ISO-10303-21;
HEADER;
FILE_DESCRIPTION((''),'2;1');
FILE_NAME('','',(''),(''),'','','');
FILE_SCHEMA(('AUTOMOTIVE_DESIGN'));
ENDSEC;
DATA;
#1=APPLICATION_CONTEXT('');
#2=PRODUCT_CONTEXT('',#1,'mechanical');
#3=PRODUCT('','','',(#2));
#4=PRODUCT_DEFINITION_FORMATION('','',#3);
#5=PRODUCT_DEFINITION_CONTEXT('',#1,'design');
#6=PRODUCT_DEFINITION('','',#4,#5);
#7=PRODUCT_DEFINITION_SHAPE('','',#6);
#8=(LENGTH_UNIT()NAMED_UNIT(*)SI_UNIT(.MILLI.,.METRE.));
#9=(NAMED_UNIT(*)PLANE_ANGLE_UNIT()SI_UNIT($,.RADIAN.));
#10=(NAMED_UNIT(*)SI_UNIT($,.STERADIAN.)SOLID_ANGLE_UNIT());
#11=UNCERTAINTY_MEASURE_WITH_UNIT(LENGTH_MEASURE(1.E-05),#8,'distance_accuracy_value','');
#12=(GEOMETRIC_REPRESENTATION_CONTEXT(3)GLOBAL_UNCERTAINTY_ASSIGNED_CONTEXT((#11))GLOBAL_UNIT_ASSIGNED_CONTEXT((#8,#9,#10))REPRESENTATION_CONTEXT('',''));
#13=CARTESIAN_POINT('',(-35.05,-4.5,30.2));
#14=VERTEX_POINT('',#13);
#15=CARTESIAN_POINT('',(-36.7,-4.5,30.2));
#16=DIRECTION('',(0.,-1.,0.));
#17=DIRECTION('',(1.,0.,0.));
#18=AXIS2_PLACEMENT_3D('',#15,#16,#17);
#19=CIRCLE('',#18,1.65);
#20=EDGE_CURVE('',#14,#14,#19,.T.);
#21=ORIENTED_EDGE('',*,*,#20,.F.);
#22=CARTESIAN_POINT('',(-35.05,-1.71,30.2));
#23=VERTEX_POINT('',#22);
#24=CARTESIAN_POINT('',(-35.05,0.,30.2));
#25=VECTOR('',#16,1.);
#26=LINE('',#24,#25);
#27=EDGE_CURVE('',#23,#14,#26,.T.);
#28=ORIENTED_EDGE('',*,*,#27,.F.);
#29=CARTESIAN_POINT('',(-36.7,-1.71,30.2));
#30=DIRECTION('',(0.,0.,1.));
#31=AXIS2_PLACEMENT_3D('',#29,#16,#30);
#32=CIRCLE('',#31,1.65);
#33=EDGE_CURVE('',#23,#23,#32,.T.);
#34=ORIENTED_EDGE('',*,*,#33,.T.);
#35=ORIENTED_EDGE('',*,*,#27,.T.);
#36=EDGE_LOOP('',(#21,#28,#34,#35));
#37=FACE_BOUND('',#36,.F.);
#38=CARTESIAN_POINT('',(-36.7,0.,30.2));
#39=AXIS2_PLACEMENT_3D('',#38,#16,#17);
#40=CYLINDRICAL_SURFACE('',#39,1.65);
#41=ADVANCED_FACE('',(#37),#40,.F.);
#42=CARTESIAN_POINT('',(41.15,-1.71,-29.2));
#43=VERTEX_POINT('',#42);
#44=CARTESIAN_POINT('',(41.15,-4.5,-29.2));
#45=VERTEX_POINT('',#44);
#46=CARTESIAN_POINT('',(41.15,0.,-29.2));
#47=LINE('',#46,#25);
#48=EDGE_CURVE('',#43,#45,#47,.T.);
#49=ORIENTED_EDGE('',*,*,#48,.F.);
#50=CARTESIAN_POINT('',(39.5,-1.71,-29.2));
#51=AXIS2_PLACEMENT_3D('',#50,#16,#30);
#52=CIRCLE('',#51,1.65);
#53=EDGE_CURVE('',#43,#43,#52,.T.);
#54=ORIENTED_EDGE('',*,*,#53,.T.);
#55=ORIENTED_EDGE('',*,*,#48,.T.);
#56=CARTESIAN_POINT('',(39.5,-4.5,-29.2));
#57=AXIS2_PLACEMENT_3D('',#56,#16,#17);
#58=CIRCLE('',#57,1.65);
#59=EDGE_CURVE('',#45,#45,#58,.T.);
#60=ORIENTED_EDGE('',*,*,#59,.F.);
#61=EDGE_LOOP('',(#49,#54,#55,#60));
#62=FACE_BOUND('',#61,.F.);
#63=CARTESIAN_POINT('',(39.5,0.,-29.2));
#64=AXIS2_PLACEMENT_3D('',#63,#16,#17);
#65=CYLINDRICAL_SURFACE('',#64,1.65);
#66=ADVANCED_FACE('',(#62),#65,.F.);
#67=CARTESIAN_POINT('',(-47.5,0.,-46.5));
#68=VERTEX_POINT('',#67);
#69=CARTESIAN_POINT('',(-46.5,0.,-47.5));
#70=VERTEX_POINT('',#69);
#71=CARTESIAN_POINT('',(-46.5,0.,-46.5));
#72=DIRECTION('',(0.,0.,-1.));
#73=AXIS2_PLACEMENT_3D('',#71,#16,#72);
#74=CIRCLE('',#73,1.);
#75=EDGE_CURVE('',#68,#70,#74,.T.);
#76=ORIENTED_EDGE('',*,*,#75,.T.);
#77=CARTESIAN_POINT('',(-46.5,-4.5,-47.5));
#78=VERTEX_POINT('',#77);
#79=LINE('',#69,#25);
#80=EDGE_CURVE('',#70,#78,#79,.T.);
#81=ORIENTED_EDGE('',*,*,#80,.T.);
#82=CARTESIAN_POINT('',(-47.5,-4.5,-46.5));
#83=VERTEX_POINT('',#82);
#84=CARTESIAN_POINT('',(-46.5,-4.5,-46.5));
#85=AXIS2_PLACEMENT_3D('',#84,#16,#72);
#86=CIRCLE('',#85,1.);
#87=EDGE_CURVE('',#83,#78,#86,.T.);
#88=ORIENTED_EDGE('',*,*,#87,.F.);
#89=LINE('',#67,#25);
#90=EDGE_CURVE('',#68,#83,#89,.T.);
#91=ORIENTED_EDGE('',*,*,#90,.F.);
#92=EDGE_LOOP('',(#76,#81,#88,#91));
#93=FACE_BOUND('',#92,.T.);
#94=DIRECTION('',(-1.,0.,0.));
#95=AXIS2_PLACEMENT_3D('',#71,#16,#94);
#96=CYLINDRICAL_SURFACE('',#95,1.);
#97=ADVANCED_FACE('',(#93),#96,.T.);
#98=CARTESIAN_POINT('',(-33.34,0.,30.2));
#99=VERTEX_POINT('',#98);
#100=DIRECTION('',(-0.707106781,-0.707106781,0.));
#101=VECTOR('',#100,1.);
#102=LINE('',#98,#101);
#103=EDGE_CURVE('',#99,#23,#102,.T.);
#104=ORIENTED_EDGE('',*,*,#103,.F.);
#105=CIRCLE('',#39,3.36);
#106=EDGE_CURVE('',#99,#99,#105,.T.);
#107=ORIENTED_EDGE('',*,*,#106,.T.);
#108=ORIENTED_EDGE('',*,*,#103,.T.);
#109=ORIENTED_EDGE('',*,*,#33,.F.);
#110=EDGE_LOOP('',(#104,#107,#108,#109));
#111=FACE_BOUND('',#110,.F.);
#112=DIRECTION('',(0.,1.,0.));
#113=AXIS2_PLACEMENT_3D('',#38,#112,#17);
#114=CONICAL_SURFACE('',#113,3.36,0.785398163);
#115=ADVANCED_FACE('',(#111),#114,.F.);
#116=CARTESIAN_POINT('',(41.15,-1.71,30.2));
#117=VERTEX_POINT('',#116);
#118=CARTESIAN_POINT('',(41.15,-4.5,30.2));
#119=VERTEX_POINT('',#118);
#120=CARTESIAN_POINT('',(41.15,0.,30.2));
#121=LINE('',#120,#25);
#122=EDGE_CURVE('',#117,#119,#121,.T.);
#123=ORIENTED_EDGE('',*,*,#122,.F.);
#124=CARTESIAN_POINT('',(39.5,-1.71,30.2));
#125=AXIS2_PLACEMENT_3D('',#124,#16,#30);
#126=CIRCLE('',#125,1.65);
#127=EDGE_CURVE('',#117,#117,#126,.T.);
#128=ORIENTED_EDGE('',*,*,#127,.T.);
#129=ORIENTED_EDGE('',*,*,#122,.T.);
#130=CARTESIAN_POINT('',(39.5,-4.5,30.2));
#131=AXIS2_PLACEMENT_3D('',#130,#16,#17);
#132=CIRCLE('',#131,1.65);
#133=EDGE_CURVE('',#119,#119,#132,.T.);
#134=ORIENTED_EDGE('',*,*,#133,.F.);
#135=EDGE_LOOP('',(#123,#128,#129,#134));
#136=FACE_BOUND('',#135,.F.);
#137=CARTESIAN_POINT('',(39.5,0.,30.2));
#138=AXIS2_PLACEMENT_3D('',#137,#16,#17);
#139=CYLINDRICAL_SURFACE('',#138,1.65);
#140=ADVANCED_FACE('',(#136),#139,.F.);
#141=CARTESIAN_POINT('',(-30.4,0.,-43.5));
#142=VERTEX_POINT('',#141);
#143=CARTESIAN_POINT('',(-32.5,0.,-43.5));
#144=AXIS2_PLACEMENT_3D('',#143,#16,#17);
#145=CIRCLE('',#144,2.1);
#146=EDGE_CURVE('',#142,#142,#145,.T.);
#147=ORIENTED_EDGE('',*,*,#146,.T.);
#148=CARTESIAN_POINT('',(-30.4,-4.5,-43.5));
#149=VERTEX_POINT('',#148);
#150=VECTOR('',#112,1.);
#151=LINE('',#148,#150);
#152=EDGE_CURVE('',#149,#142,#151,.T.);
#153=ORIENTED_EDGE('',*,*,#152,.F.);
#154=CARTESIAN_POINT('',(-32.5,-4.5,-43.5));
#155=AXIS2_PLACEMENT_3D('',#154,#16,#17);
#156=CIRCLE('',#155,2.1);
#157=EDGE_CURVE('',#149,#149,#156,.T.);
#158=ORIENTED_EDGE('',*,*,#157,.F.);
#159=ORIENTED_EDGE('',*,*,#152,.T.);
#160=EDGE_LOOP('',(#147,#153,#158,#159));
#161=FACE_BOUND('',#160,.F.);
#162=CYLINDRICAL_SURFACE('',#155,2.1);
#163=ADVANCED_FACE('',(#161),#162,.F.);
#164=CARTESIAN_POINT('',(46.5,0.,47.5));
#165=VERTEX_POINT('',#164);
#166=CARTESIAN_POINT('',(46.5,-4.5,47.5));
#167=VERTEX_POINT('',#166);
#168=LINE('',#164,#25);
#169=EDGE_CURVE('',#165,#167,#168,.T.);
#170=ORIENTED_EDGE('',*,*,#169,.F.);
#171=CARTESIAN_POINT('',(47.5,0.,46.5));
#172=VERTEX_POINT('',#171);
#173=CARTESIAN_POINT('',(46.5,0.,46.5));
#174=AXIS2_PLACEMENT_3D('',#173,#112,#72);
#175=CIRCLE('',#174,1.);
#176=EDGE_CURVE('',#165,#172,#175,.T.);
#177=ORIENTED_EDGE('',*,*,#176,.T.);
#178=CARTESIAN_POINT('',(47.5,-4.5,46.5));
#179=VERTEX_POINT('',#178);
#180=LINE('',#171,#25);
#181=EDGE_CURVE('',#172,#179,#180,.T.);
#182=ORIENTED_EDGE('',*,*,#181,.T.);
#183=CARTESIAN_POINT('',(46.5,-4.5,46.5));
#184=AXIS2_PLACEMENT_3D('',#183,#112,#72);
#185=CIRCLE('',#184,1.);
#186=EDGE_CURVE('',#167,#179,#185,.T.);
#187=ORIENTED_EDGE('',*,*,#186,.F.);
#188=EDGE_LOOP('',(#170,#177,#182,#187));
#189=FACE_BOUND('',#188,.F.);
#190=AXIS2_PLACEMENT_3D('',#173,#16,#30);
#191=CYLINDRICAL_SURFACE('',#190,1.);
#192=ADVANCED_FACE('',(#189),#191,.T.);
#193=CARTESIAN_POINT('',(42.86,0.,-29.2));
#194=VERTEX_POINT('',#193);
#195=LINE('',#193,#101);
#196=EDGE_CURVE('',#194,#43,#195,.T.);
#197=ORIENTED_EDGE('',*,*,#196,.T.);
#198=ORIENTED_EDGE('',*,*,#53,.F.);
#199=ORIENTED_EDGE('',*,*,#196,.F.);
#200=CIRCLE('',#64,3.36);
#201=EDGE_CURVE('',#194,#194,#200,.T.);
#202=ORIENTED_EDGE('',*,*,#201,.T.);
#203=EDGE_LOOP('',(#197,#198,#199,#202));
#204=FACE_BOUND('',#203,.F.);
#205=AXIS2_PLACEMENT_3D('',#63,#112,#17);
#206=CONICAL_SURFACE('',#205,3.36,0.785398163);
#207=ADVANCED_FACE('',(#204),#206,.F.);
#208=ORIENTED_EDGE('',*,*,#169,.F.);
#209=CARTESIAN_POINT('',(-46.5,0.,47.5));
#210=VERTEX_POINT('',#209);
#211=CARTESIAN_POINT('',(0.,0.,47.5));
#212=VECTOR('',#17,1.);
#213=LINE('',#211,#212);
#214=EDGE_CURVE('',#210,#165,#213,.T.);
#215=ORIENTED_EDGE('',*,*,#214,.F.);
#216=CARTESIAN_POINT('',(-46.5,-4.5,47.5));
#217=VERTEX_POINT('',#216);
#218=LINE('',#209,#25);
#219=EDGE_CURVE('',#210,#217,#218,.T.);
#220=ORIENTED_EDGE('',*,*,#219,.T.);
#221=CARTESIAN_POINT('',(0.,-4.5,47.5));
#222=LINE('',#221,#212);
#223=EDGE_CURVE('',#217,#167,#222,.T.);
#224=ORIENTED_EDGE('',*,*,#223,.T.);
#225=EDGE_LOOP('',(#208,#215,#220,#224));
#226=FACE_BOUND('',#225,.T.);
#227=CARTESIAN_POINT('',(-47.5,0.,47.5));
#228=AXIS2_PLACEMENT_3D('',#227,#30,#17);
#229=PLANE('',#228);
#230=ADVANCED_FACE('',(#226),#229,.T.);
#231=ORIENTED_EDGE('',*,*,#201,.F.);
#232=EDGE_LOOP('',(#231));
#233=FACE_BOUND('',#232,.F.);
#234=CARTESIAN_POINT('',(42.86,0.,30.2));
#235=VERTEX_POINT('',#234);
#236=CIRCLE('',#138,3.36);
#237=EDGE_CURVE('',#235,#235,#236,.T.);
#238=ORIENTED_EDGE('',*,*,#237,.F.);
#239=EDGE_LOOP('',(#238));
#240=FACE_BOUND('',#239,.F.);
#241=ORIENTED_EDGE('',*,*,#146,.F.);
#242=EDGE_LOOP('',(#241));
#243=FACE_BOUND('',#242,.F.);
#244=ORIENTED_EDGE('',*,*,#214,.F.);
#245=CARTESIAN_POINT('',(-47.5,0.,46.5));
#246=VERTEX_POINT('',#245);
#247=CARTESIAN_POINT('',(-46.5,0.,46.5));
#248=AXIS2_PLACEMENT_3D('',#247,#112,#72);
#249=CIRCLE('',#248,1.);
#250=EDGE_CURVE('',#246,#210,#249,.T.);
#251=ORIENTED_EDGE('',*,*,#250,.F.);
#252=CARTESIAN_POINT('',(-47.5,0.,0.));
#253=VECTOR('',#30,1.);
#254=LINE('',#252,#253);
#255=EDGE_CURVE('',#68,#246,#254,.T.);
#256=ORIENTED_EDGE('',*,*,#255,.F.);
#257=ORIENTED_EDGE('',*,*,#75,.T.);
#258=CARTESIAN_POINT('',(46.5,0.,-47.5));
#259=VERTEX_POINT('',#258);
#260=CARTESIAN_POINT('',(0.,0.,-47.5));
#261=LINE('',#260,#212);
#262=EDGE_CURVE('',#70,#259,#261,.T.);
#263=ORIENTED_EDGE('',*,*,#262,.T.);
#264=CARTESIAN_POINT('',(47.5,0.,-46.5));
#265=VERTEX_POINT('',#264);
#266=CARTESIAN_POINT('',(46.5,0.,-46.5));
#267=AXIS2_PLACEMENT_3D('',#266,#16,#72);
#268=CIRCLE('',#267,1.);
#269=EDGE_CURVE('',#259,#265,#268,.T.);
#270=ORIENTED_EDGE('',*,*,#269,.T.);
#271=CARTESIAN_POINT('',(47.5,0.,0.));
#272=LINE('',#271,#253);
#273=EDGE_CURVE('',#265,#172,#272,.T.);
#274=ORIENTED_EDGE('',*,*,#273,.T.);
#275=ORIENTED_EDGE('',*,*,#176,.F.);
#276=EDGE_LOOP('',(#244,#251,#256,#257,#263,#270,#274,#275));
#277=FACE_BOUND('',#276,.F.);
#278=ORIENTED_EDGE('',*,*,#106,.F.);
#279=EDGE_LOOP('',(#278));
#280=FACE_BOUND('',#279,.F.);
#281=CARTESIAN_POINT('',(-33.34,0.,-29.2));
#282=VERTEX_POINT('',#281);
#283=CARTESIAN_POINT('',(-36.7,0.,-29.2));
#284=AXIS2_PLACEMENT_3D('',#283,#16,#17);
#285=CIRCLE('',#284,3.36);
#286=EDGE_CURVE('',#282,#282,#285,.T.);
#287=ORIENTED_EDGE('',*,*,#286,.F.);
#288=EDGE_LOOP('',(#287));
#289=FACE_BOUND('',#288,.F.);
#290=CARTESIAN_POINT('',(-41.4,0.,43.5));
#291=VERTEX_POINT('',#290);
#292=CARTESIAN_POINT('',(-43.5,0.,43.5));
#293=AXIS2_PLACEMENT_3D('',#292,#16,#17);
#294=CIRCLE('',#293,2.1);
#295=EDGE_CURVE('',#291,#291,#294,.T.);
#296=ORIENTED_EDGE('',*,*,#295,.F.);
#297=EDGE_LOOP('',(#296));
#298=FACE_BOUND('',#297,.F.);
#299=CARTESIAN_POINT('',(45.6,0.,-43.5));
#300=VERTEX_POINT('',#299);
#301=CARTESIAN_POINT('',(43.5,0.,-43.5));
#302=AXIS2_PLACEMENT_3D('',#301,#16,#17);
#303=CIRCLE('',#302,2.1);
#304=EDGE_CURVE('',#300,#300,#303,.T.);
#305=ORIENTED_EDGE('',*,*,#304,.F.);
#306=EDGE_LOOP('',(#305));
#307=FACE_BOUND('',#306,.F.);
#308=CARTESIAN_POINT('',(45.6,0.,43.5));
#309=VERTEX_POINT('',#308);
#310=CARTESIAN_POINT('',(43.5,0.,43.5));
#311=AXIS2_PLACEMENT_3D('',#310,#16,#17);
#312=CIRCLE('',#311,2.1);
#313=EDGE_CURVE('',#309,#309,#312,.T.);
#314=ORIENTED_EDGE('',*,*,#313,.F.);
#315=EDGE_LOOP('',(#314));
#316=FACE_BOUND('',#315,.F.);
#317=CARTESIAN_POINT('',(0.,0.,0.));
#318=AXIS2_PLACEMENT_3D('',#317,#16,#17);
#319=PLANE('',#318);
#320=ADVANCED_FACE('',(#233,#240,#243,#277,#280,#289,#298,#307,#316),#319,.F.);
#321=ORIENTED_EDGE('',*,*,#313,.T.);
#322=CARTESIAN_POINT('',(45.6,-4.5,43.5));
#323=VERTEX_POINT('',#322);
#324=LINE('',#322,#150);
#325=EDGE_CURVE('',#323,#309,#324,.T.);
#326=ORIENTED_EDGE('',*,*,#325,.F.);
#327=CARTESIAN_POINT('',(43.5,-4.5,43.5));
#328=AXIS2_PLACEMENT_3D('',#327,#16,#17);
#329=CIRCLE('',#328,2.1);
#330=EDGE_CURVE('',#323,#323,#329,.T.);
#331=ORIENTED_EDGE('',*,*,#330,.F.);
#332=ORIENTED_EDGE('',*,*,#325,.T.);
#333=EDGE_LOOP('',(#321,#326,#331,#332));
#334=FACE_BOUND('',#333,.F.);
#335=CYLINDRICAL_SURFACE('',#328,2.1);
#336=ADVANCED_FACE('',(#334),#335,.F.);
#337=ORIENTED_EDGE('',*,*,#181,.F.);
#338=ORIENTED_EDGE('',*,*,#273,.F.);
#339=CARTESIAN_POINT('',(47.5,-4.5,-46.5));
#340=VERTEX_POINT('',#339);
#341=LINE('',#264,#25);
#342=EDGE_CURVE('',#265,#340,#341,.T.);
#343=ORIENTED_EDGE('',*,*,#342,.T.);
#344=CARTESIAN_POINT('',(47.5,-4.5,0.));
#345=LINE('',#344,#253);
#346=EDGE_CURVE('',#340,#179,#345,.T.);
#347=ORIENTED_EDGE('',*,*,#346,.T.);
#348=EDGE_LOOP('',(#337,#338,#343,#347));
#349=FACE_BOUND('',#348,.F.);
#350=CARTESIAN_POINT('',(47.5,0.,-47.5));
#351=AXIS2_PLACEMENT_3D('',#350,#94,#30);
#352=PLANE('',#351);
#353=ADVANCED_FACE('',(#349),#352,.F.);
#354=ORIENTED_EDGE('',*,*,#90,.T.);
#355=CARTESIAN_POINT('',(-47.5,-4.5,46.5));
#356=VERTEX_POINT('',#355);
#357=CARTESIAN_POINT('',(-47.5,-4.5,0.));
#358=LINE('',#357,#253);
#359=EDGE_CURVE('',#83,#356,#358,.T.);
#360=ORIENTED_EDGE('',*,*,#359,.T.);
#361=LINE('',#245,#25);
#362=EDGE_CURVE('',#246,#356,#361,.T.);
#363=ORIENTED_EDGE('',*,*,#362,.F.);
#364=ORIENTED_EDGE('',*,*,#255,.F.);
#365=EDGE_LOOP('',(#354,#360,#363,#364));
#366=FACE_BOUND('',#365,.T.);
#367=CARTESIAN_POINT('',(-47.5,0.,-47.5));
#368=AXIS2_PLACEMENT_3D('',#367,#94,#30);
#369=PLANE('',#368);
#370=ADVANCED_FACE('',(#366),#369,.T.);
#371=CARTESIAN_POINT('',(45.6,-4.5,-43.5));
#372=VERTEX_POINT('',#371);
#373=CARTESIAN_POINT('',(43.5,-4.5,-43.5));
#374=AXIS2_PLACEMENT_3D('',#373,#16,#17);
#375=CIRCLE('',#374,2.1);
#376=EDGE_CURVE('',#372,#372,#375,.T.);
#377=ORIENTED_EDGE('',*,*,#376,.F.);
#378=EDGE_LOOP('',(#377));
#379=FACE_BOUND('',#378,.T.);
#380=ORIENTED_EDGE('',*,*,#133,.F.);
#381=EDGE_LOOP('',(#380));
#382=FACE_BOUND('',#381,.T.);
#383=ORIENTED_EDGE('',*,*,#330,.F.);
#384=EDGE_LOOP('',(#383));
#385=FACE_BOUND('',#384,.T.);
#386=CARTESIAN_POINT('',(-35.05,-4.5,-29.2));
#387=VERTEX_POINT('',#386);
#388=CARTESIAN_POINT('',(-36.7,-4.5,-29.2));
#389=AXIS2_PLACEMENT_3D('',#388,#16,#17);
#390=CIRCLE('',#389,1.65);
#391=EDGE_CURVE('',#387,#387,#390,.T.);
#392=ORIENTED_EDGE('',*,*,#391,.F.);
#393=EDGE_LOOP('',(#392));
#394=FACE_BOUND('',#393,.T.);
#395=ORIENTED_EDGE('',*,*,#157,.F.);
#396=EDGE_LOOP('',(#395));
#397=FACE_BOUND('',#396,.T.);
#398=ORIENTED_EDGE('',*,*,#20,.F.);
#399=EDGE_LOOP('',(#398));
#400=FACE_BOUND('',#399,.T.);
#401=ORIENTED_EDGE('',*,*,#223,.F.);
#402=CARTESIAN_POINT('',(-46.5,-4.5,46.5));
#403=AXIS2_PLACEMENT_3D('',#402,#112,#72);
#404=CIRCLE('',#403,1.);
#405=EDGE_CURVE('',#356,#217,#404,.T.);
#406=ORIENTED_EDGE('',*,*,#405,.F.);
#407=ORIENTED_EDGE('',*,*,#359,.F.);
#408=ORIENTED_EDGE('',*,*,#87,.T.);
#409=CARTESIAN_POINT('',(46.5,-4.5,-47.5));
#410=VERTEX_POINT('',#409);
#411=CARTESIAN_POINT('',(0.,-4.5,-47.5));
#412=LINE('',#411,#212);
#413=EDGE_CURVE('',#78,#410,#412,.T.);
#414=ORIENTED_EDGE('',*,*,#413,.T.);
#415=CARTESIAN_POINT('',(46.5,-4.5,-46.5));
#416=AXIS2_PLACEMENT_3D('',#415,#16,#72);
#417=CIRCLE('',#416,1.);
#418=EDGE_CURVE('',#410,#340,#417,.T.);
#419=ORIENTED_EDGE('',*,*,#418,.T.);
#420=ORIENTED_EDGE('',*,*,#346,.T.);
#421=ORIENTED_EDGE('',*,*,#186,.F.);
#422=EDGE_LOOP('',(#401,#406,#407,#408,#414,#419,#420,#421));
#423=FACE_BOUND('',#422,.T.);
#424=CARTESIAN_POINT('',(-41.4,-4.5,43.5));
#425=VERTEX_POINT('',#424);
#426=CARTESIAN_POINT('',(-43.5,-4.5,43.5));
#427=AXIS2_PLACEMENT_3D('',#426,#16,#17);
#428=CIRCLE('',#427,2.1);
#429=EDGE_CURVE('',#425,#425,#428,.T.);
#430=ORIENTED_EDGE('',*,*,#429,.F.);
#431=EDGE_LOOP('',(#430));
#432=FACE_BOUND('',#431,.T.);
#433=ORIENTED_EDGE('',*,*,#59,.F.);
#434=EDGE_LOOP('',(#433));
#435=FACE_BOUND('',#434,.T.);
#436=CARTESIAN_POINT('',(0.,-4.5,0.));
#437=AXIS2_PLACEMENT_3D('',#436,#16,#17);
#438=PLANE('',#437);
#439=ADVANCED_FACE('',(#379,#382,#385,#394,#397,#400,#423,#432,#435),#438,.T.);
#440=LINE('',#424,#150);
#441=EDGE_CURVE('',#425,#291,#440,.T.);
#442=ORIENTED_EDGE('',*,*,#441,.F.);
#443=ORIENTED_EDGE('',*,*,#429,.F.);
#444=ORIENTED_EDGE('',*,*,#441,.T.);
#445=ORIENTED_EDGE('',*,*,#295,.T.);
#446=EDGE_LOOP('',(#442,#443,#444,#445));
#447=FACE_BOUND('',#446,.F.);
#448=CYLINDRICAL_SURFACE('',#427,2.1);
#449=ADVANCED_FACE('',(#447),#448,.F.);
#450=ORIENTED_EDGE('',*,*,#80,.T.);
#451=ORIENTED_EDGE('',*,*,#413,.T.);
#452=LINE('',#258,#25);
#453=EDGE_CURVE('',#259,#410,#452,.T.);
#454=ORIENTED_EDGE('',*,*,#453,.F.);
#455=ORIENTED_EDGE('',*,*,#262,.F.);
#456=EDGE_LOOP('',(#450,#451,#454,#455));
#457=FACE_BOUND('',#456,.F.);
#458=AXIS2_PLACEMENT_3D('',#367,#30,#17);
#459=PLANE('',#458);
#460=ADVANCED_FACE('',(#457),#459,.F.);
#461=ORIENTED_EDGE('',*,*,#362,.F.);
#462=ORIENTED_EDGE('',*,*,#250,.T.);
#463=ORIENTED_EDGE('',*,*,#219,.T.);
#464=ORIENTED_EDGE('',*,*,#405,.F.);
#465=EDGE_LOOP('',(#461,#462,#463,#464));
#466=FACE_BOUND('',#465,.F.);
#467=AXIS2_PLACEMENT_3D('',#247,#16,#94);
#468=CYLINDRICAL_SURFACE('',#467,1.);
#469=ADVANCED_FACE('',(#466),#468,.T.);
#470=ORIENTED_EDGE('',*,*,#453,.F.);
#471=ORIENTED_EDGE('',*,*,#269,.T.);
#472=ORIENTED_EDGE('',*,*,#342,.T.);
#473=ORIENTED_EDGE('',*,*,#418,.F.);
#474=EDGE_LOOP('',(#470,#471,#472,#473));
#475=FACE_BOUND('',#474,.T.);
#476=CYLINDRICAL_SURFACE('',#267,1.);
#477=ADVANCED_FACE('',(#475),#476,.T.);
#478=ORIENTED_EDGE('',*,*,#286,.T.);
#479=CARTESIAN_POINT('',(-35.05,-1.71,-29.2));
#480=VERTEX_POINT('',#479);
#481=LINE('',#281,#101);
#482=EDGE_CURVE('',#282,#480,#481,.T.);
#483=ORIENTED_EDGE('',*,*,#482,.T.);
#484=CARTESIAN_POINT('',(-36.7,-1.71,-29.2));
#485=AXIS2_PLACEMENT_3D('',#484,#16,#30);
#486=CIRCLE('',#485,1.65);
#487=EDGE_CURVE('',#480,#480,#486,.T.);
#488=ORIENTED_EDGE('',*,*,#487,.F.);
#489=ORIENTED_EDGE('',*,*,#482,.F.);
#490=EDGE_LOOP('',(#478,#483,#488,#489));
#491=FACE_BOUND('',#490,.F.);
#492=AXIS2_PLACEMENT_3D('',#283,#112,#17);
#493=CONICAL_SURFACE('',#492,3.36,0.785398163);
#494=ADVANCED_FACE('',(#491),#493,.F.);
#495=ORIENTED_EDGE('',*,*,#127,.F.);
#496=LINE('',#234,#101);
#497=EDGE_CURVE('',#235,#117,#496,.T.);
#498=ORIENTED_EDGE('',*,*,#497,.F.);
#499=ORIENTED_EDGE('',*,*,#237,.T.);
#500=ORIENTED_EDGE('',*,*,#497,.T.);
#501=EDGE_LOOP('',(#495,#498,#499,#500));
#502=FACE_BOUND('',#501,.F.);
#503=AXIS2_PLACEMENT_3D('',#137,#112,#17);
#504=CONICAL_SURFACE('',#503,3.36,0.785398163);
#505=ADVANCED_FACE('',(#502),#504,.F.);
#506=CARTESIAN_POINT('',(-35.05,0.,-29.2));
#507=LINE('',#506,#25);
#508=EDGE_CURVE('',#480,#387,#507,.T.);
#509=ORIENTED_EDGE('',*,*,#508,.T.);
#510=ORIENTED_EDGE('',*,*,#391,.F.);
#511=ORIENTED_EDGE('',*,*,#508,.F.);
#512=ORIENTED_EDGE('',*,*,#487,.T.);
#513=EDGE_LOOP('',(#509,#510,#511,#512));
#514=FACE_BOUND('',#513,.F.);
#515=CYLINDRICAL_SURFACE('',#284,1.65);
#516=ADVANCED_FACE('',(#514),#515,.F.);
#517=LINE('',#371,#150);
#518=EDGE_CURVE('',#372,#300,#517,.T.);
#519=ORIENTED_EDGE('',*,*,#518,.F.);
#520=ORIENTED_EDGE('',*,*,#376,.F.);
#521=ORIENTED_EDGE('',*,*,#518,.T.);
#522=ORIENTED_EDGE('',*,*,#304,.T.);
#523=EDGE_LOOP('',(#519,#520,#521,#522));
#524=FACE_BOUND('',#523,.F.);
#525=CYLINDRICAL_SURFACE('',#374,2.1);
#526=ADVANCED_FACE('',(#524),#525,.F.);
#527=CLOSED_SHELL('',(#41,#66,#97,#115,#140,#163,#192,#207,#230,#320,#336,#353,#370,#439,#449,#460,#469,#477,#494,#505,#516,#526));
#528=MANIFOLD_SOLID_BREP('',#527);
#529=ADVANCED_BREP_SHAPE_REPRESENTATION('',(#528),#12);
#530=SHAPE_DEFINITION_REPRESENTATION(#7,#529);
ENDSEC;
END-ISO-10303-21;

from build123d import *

# Parameters (mm, degrees)
F0_W           = 95
F0_H           = 95
F1_DEPTH       = 4.5
F2_R           = 2.1
F3_DEPTH       = 4.5
F4_R           = 1
F6_D           = 3.3
F6_CSINK_D     = 6.72
F6_CSINK_ANGLE = 90


with BuildPart() as f1:
    # F0 (on Front) → F1 (new body)
    with BuildSketch(Plane.XZ):
        Rectangle(F0_W, F0_H)
    extrude(amount=F1_DEPTH)

    # F2 (on face) → F3 (cut, through all)
    with BuildSketch(Plane.XZ.offset(4.5)):
        with Locations((43.5, 43.5)):
            Circle(F2_R)
        with Locations((43.5, -43.5)):
            Circle(F2_R)
        with Locations((-32.5, -43.5)):
            Circle(F2_R)
        with Locations((-43.5, 43.5)):
            Circle(F2_R)
    extrude(amount=-F3_DEPTH, mode=Mode.SUBTRACT)

    # F4
    f4_edges = [f1.edges().sort_by_distance(p)[0] for p in [
        (-47.5, -2.25, 47.5),
        (47.5, -2.25, 47.5),
        (47.5, -2.25, -47.5),
        (-47.5, -2.25, -47.5),
    ]]
    fillet(f4_edges, radius=F4_R)

    # F6 (through all)
    with Locations(Plane(origin=(0, 0, 0), x_dir=(-1, 0, 0), z_dir=(0, 1, 0))):
        with Locations((-39.5, 30.2), (36.7, 30.2), (36.7, -29.2), (-39.5, -29.2)):
            CounterSinkHole(F6_D / 2, F6_CSINK_D / 2, counter_sink_angle=F6_CSINK_ANGLE)


solid = f1.part
